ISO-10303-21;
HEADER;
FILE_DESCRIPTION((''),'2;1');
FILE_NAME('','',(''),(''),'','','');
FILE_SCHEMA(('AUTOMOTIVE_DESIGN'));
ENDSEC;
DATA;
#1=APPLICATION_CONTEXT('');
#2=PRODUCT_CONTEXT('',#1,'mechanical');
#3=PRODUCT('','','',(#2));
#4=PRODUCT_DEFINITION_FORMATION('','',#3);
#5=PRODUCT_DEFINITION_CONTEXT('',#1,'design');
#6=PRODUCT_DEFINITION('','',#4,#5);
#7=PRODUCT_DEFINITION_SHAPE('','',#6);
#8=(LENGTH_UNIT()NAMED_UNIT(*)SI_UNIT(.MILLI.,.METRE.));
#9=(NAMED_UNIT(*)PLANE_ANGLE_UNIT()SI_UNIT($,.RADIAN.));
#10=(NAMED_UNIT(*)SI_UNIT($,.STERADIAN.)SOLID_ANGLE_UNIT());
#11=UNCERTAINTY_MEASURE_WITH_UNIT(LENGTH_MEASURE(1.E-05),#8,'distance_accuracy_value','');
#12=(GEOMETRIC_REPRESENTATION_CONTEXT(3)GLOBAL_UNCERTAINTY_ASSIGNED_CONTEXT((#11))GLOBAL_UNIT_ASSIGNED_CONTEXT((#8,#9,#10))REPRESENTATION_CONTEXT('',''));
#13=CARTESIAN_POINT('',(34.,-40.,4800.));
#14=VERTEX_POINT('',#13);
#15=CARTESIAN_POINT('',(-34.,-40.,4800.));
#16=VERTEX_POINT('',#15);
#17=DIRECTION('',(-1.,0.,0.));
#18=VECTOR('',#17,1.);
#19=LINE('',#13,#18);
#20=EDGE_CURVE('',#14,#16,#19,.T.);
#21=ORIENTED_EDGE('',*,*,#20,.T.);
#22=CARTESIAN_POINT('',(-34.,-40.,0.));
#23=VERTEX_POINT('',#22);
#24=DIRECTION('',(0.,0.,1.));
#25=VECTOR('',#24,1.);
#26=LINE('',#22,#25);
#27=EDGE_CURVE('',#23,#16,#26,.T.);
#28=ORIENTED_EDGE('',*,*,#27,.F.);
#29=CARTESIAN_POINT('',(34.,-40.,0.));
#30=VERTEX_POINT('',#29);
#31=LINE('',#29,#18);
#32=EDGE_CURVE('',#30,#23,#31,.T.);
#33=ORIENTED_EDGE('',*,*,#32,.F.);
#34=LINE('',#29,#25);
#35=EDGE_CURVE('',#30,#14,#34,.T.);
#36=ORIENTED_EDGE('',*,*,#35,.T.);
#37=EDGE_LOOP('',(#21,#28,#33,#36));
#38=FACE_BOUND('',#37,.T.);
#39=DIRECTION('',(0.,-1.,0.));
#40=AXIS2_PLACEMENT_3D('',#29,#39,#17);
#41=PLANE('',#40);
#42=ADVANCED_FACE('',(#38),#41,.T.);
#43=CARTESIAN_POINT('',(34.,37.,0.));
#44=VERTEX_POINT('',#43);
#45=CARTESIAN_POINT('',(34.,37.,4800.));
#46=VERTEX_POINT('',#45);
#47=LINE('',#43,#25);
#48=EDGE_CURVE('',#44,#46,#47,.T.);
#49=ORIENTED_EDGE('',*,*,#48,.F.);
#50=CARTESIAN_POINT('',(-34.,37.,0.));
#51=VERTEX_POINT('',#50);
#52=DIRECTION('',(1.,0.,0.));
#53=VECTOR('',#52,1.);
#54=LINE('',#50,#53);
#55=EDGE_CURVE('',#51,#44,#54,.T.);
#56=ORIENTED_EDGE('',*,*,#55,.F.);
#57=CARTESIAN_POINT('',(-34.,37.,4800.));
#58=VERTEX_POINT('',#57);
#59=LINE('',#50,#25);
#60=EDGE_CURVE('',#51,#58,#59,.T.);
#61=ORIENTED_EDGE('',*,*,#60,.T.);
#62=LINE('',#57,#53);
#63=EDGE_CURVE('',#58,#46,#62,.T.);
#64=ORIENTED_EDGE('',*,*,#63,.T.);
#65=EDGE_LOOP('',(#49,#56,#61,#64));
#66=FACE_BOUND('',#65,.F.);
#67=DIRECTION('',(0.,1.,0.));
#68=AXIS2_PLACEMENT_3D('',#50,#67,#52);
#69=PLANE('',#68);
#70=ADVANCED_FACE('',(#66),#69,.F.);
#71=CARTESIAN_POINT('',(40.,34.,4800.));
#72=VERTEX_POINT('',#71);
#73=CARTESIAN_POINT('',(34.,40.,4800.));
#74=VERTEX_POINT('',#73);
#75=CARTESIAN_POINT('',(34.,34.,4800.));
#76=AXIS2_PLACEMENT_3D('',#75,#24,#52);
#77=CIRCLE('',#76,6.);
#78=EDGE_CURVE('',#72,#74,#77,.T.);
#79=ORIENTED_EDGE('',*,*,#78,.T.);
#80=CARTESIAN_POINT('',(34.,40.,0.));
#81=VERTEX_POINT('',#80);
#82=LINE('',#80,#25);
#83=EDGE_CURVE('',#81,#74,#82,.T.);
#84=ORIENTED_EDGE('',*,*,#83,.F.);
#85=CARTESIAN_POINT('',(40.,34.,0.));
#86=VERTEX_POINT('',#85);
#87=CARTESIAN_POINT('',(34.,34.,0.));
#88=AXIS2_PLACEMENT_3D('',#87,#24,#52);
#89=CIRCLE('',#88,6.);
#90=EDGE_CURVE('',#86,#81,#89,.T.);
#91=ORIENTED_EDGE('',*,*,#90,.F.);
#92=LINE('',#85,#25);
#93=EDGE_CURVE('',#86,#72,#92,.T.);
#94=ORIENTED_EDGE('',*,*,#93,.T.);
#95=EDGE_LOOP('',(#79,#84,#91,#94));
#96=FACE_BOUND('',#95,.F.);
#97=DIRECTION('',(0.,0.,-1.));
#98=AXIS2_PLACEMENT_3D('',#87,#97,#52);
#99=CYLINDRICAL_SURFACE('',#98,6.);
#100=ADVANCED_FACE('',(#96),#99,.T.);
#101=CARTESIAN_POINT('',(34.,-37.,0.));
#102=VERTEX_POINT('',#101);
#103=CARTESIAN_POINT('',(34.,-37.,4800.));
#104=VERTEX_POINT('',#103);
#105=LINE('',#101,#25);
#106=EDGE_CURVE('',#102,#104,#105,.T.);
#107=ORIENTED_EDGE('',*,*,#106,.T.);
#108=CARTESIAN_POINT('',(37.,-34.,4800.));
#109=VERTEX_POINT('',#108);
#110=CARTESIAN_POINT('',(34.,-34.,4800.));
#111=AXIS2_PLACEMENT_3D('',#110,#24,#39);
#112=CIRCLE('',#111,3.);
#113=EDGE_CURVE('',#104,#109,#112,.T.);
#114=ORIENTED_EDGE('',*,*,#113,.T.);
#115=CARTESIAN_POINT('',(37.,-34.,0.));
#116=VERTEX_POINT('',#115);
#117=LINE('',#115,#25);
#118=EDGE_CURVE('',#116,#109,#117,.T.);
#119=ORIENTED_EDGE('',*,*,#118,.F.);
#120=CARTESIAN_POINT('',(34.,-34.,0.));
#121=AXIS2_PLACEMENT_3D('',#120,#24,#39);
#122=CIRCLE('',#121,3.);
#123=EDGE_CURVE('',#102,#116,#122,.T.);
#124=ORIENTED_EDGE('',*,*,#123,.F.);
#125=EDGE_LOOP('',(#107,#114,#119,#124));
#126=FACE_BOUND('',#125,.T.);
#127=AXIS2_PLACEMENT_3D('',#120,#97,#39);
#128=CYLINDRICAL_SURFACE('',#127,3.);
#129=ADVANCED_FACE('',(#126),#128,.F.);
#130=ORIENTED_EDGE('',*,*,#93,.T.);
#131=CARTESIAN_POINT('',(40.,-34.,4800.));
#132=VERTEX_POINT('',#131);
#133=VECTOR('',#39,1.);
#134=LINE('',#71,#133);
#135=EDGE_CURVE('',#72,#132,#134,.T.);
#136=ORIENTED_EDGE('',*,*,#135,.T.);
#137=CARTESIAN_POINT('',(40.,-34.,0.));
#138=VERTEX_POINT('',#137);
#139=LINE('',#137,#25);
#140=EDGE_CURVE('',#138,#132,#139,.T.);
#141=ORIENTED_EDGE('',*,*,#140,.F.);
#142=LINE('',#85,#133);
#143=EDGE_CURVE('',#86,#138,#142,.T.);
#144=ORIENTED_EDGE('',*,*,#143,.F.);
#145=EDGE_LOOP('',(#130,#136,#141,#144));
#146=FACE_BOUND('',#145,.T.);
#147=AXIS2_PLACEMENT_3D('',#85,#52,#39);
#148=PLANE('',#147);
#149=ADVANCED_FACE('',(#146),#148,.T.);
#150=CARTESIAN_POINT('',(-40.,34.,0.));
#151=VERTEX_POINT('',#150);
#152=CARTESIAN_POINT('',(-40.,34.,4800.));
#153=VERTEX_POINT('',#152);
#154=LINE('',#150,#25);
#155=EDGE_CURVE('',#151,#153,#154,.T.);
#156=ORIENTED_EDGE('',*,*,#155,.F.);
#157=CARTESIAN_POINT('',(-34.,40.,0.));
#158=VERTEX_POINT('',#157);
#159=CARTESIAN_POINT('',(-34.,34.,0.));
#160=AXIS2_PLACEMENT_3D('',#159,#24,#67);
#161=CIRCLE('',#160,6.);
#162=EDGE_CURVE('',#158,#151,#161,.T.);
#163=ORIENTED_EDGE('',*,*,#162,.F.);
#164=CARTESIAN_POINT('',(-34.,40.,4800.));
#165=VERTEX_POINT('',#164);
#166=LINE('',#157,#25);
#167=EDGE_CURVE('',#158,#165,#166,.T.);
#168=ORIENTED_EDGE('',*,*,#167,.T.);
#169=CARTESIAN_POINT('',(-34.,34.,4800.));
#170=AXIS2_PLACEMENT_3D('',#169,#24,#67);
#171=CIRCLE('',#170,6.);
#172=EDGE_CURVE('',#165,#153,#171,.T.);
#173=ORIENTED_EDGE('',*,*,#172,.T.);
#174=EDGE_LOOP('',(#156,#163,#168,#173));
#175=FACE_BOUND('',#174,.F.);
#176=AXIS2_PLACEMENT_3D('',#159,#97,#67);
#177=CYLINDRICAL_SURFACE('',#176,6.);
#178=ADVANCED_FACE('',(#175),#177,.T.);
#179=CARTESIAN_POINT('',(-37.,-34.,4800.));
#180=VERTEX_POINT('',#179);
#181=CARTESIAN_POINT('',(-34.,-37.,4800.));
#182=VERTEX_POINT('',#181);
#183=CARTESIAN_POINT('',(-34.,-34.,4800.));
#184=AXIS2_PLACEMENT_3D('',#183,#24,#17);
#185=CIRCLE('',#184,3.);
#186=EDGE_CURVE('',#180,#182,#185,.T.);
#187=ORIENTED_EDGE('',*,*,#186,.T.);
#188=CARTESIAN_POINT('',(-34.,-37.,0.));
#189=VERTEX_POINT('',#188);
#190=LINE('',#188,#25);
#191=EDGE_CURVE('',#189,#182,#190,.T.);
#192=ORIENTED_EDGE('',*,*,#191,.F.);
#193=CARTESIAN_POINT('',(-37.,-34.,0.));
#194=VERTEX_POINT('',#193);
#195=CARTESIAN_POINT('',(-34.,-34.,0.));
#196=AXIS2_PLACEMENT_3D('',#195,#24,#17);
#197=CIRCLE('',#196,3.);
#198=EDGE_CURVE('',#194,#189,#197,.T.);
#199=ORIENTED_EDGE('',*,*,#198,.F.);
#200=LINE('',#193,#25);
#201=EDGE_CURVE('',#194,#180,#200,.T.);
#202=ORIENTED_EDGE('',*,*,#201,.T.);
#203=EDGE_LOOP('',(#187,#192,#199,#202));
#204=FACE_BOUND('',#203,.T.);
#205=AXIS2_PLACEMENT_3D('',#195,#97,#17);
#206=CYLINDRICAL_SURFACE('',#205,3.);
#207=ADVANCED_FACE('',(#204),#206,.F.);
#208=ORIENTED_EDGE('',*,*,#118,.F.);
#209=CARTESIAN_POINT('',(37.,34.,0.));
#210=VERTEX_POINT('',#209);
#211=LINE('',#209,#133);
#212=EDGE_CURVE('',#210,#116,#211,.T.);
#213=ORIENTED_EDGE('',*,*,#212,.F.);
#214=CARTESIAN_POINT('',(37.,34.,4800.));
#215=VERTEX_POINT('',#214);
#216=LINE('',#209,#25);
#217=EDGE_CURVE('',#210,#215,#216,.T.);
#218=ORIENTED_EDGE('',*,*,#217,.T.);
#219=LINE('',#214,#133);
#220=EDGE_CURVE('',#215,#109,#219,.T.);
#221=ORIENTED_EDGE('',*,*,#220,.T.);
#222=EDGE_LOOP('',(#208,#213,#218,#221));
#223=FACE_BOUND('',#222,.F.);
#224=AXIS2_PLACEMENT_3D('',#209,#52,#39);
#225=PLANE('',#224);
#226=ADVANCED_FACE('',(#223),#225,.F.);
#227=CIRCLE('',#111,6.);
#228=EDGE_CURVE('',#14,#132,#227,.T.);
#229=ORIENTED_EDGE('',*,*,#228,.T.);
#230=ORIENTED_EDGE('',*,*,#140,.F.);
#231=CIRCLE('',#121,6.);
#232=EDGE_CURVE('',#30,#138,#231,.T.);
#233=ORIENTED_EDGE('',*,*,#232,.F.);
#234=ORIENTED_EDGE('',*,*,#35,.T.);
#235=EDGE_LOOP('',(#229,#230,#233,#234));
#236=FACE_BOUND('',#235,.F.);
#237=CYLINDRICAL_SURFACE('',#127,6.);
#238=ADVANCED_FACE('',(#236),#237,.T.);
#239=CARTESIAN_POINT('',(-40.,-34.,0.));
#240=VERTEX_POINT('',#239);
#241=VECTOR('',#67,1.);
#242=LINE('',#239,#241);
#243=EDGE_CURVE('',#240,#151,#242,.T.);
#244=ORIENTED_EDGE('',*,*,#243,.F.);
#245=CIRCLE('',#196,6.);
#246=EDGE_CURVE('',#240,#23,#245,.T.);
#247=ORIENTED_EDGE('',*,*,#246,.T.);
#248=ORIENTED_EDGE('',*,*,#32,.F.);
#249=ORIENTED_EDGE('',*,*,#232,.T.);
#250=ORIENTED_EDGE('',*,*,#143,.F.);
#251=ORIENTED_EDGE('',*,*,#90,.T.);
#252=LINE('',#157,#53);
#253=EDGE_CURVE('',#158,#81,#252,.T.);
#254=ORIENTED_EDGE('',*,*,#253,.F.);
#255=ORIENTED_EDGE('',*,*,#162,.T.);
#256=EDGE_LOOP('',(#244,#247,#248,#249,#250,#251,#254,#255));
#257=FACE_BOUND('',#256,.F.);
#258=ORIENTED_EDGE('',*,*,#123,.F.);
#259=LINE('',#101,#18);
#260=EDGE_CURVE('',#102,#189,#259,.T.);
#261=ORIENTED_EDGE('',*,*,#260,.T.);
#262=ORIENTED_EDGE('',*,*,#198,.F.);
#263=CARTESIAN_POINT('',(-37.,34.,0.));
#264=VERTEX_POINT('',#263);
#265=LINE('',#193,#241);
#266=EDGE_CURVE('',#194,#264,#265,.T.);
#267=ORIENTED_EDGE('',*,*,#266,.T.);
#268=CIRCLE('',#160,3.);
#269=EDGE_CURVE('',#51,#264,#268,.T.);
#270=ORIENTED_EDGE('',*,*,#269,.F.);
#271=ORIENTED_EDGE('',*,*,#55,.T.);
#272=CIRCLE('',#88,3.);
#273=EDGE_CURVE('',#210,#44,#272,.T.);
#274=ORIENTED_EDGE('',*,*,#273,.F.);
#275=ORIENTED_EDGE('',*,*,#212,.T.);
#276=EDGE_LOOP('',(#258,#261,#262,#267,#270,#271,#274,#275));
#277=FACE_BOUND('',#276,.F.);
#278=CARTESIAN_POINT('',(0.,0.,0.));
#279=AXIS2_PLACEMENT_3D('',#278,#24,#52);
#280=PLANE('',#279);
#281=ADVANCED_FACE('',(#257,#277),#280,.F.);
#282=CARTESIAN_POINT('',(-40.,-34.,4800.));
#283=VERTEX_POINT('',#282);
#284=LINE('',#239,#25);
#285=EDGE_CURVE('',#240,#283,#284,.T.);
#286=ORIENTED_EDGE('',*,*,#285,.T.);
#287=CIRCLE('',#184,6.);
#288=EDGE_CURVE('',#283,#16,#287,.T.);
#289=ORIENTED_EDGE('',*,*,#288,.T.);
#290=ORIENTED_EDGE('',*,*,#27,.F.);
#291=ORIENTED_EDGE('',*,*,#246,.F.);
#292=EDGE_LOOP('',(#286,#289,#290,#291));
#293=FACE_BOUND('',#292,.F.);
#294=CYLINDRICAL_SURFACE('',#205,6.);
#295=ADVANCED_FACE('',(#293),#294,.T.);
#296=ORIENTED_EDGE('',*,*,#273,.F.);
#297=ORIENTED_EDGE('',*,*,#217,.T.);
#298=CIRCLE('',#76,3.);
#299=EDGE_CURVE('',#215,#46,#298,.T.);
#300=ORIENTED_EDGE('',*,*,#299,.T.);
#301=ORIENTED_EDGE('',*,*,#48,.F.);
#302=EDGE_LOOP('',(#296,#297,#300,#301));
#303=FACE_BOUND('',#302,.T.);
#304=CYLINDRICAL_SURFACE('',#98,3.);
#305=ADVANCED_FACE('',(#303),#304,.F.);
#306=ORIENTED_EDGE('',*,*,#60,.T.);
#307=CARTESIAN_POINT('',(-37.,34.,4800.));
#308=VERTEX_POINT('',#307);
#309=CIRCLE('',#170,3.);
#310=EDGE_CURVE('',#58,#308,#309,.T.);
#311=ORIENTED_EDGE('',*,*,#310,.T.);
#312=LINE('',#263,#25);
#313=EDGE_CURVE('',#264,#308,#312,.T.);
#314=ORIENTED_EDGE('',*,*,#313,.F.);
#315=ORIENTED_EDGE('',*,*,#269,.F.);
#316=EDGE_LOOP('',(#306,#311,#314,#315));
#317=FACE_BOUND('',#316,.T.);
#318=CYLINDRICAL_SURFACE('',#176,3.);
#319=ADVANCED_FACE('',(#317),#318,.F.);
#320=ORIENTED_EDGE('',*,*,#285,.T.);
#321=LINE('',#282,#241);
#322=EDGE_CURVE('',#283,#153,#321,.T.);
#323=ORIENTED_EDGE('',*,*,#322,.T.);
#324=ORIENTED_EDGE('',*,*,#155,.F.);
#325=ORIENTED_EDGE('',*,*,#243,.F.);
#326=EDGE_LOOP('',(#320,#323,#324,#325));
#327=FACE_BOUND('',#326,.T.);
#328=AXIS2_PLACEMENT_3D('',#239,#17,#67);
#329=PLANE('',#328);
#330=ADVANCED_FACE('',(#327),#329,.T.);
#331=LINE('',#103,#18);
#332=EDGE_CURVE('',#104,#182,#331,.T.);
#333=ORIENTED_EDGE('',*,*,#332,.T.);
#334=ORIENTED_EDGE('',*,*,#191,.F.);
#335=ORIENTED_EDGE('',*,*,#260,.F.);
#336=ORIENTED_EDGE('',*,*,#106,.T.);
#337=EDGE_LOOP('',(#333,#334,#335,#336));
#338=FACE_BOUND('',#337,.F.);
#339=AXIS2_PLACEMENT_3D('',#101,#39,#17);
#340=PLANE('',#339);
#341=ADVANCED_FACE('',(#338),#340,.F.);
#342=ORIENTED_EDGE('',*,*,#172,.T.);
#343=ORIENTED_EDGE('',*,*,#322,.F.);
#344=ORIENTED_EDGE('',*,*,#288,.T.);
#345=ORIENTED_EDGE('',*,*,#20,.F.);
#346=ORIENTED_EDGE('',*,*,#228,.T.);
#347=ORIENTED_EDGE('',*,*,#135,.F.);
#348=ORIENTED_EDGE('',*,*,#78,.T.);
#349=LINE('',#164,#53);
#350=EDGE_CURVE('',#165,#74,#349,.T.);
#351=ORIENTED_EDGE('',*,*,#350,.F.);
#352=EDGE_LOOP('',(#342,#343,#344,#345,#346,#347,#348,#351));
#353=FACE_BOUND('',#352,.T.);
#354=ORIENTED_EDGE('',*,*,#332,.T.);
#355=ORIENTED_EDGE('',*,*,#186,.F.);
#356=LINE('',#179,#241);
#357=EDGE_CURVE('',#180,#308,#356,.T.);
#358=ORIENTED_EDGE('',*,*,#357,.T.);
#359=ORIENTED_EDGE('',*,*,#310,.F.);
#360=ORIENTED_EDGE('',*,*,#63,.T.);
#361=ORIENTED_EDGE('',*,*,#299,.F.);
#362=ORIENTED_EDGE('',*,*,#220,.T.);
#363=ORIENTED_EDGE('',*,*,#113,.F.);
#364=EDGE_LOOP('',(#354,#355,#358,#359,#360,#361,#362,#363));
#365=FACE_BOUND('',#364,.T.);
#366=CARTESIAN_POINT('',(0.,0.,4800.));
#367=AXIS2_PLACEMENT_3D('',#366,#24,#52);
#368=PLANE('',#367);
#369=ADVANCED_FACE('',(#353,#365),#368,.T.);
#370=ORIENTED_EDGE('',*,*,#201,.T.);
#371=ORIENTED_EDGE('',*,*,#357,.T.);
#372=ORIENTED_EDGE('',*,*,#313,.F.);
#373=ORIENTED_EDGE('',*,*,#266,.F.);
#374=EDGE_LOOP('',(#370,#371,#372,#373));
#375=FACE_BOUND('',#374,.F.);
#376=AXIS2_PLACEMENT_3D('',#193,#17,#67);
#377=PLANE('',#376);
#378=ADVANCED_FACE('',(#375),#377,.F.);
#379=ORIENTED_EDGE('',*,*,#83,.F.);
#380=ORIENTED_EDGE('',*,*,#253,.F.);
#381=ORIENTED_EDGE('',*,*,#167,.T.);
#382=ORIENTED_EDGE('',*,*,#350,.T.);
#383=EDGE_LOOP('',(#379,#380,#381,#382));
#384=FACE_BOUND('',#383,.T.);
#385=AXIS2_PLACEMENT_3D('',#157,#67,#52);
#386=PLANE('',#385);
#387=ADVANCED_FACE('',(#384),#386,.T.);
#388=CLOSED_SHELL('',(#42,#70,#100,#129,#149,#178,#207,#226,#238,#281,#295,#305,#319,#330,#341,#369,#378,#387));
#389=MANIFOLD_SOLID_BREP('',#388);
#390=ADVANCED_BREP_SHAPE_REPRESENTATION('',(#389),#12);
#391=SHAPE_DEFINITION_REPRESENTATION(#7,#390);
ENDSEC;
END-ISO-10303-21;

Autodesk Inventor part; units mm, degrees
ref_plane "YZ Plane" through (0, 0, 0) normal (1, 0, 0) x (0, 1, 0)
ref_plane "Start Plane" through (0, 0, 0) normal (0, 0, 1) x (1, 0, 0)
ref_plane "End Plane" through (0, 0, 4800) normal (0, 0, 1) x (1, 0, 0)
sketch "Sketch" plane through (0, 0, 0) normal (0, 0, 1) x (1, 0, 0)
  line L0 (-40, -34) -> (-40, 34)
  line L1 (-34, 40) -> (34, 40)
  line L2 (40, 34) -> (40, -34)
  line L3 (34, -40) -> (-34, -40)
  arc A0 (-40, -34) -> (-34, -40) centre (-34, -34) ccw
  arc A1 (40, 34) -> (34, 40) centre (34, 34) ccw
  arc A2 (-34, 40) -> (-40, 34) centre (-34, 34) ccw
  arc A3 (34, -40) -> (40, -34) centre (34, -34) ccw
  arc A4 (-34, 37) -> (-37, 34) centre (-34, 34) ccw
  line L4 (-34, 37) -> (34, 37)
  arc A5 (37, 34) -> (34, 37) centre (34, 34) ccw
  line L5 (37, 34) -> (37, -34)
  arc A6 (34, -37) -> (37, -34) centre (34, -34) ccw
  line L6 (34, -37) -> (-34, -37)
  arc A7 (-37, -34) -> (-34, -37) centre (-34, -34) ccw
  line L7 (-37, -34) -> (-37, 34)
  line L8 (0, 57.7397) -> (0, -57.7397) construction
  line L9 (-57.7397, 0) -> (57.7397, 0) construction
  dimension "d7" = 6
  dimension "d9" = 80
  dimension "d11" = 80
  dimension "d12" = 3
  dimension "d15" = 40
  dimension "d16" = 40
extrude "Body" add sketch "Sketch" along normal up to surface (4800 mm away) from surface at 0
sketch "Sketch3" plane through (0, 0, 0) normal (0, 0, 1) x (1, 0, 0)
  line L0 (0, 0) -> (10, 0)
ref_plane "Work Plane3" through (0, 0, 0) normal (0, -1, 0) x (1, 0, 0)
sketch "Sketch4" plane through (0, 0, 0) normal (0, -1, 0) x (1, 0, 0)
  line L0 (-2, 0) -> (12, 0) projected
  line L1 (-2, 4800) -> (12, 4800) projected
  dimension "d18" = 4800
equation "\"d7\" = G_IR"
equation "\"d9\" = G_W"
equation "\"d11\" = G_H"
equation "\"d12\" = G_T"
equation "\"d15\" = 0.5 * d9"
equation "\"d16\" = 0.5 * d11"
equation "\"d3\" = G_L"
equation "\"G_W\" = 80"
equation "\"G_H\" = 80"
equation "\"G_T\" = 3"
equation "\"G_IR\" = 6"
equation "\"G_L\" = d18"
equation "\"G_OFFSET_START\" = 0"
equation "\"G_OFFSET_END\" = 0"
properties part number "ISO 4019 - 80x80x3 - 4800" material "Steel, Mild"
